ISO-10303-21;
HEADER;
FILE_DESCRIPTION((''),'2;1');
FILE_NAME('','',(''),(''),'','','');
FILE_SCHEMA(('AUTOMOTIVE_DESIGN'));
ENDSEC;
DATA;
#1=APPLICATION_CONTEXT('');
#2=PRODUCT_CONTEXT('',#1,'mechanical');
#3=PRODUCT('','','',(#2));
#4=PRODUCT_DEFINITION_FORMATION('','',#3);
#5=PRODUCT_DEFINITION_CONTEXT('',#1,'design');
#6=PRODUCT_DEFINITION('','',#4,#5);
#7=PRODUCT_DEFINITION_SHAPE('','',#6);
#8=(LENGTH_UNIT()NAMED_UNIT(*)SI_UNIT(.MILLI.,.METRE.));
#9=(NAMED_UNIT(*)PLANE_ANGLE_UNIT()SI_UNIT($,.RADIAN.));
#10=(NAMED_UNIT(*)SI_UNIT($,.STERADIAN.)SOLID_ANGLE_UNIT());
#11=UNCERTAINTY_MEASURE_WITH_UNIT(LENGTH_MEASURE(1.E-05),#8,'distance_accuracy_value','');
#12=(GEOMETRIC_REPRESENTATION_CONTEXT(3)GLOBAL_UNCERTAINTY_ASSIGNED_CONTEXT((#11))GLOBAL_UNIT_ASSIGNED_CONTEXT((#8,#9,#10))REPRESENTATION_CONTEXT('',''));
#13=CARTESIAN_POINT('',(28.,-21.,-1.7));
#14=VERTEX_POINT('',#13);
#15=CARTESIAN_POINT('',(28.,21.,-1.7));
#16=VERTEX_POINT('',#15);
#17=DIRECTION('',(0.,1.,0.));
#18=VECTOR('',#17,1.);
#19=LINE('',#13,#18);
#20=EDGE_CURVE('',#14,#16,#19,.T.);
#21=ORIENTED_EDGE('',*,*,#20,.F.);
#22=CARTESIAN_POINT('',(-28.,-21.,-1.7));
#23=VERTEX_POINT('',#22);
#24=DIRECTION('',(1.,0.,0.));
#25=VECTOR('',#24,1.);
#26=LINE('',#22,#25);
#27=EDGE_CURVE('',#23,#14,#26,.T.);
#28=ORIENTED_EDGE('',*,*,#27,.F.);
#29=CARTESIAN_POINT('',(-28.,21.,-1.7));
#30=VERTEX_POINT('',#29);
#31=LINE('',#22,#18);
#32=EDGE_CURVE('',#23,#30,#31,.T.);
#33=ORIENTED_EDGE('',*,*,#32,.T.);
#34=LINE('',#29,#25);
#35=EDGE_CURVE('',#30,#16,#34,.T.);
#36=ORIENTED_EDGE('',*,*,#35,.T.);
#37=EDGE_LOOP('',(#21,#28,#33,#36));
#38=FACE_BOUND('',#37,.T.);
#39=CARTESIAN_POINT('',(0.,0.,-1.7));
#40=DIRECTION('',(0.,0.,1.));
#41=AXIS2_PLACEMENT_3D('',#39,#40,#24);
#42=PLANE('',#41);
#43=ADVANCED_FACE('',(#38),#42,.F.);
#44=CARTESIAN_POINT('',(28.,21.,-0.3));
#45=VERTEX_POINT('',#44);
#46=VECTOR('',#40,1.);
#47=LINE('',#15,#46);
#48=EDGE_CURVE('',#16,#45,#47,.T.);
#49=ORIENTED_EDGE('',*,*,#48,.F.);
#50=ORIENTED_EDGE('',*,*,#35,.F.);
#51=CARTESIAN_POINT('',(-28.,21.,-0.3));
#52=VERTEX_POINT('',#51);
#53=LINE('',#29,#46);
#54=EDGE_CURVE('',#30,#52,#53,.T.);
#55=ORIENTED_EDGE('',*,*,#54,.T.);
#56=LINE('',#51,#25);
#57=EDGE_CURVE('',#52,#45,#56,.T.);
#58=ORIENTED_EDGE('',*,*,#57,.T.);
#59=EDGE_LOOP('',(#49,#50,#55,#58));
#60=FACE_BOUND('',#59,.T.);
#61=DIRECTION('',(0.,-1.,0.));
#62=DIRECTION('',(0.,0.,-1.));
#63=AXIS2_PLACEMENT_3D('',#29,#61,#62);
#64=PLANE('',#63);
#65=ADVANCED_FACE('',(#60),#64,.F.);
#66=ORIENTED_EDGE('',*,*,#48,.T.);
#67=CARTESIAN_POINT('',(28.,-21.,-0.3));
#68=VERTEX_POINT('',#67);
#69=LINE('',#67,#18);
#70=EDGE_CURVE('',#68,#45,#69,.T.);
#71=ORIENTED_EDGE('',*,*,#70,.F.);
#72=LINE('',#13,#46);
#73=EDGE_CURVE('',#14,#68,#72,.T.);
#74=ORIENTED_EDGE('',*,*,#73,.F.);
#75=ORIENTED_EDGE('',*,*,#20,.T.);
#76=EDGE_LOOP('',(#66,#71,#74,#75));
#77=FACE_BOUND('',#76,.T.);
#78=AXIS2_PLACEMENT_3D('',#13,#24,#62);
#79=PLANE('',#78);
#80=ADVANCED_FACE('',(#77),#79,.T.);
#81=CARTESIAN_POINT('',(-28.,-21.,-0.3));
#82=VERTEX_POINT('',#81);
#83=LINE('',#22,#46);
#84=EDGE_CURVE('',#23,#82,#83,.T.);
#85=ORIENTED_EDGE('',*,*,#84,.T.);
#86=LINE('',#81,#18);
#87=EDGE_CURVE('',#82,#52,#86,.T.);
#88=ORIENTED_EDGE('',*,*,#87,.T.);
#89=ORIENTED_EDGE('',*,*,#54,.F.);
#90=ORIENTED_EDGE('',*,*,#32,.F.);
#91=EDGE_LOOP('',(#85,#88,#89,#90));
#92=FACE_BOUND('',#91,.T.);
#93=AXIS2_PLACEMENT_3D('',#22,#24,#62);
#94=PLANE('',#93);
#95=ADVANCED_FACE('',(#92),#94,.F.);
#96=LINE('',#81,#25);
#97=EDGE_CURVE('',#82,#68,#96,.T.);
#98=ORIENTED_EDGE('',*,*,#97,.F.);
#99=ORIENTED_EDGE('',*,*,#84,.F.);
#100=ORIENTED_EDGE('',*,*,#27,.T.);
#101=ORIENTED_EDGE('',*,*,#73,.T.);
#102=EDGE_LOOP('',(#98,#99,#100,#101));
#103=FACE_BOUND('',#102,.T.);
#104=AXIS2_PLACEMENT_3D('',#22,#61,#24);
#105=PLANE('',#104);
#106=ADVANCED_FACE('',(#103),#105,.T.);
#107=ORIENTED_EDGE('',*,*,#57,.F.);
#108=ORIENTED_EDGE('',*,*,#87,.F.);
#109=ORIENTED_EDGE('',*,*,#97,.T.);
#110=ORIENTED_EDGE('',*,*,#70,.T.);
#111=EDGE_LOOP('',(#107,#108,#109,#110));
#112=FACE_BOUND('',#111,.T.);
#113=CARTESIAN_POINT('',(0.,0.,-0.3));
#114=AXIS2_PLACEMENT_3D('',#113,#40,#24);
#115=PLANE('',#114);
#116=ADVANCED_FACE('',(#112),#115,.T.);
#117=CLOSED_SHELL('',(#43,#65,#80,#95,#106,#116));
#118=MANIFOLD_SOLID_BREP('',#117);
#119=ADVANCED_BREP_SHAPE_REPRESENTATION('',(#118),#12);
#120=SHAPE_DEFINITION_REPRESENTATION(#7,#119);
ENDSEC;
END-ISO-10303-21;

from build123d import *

# Parameters (mm, degrees)
SKETCH1_W           = 60
SKETCH1_H           = 80
BOSS_EXTRUDE1_DEPTH = 2
SCALE1_SCALE        = 0.7


with BuildPart() as part:
    # Sketch1 → Boss-Extrude1 (new body)
    with BuildSketch(Plane(origin=(0, 0, 0), x_dir=(0, 1, 0), z_dir=(0, 0, 1))):
        Rectangle(SKETCH1_W, SKETCH1_H)
    extrude(amount=-BOSS_EXTRUDE1_DEPTH)


with BuildPart() as part_1:
    # Scale1: scaled about (0, 0, -1)
    add(part.part.scale(SCALE1_SCALE).moved(Location((0, 0, -0.3))))


solid = part_1.part
